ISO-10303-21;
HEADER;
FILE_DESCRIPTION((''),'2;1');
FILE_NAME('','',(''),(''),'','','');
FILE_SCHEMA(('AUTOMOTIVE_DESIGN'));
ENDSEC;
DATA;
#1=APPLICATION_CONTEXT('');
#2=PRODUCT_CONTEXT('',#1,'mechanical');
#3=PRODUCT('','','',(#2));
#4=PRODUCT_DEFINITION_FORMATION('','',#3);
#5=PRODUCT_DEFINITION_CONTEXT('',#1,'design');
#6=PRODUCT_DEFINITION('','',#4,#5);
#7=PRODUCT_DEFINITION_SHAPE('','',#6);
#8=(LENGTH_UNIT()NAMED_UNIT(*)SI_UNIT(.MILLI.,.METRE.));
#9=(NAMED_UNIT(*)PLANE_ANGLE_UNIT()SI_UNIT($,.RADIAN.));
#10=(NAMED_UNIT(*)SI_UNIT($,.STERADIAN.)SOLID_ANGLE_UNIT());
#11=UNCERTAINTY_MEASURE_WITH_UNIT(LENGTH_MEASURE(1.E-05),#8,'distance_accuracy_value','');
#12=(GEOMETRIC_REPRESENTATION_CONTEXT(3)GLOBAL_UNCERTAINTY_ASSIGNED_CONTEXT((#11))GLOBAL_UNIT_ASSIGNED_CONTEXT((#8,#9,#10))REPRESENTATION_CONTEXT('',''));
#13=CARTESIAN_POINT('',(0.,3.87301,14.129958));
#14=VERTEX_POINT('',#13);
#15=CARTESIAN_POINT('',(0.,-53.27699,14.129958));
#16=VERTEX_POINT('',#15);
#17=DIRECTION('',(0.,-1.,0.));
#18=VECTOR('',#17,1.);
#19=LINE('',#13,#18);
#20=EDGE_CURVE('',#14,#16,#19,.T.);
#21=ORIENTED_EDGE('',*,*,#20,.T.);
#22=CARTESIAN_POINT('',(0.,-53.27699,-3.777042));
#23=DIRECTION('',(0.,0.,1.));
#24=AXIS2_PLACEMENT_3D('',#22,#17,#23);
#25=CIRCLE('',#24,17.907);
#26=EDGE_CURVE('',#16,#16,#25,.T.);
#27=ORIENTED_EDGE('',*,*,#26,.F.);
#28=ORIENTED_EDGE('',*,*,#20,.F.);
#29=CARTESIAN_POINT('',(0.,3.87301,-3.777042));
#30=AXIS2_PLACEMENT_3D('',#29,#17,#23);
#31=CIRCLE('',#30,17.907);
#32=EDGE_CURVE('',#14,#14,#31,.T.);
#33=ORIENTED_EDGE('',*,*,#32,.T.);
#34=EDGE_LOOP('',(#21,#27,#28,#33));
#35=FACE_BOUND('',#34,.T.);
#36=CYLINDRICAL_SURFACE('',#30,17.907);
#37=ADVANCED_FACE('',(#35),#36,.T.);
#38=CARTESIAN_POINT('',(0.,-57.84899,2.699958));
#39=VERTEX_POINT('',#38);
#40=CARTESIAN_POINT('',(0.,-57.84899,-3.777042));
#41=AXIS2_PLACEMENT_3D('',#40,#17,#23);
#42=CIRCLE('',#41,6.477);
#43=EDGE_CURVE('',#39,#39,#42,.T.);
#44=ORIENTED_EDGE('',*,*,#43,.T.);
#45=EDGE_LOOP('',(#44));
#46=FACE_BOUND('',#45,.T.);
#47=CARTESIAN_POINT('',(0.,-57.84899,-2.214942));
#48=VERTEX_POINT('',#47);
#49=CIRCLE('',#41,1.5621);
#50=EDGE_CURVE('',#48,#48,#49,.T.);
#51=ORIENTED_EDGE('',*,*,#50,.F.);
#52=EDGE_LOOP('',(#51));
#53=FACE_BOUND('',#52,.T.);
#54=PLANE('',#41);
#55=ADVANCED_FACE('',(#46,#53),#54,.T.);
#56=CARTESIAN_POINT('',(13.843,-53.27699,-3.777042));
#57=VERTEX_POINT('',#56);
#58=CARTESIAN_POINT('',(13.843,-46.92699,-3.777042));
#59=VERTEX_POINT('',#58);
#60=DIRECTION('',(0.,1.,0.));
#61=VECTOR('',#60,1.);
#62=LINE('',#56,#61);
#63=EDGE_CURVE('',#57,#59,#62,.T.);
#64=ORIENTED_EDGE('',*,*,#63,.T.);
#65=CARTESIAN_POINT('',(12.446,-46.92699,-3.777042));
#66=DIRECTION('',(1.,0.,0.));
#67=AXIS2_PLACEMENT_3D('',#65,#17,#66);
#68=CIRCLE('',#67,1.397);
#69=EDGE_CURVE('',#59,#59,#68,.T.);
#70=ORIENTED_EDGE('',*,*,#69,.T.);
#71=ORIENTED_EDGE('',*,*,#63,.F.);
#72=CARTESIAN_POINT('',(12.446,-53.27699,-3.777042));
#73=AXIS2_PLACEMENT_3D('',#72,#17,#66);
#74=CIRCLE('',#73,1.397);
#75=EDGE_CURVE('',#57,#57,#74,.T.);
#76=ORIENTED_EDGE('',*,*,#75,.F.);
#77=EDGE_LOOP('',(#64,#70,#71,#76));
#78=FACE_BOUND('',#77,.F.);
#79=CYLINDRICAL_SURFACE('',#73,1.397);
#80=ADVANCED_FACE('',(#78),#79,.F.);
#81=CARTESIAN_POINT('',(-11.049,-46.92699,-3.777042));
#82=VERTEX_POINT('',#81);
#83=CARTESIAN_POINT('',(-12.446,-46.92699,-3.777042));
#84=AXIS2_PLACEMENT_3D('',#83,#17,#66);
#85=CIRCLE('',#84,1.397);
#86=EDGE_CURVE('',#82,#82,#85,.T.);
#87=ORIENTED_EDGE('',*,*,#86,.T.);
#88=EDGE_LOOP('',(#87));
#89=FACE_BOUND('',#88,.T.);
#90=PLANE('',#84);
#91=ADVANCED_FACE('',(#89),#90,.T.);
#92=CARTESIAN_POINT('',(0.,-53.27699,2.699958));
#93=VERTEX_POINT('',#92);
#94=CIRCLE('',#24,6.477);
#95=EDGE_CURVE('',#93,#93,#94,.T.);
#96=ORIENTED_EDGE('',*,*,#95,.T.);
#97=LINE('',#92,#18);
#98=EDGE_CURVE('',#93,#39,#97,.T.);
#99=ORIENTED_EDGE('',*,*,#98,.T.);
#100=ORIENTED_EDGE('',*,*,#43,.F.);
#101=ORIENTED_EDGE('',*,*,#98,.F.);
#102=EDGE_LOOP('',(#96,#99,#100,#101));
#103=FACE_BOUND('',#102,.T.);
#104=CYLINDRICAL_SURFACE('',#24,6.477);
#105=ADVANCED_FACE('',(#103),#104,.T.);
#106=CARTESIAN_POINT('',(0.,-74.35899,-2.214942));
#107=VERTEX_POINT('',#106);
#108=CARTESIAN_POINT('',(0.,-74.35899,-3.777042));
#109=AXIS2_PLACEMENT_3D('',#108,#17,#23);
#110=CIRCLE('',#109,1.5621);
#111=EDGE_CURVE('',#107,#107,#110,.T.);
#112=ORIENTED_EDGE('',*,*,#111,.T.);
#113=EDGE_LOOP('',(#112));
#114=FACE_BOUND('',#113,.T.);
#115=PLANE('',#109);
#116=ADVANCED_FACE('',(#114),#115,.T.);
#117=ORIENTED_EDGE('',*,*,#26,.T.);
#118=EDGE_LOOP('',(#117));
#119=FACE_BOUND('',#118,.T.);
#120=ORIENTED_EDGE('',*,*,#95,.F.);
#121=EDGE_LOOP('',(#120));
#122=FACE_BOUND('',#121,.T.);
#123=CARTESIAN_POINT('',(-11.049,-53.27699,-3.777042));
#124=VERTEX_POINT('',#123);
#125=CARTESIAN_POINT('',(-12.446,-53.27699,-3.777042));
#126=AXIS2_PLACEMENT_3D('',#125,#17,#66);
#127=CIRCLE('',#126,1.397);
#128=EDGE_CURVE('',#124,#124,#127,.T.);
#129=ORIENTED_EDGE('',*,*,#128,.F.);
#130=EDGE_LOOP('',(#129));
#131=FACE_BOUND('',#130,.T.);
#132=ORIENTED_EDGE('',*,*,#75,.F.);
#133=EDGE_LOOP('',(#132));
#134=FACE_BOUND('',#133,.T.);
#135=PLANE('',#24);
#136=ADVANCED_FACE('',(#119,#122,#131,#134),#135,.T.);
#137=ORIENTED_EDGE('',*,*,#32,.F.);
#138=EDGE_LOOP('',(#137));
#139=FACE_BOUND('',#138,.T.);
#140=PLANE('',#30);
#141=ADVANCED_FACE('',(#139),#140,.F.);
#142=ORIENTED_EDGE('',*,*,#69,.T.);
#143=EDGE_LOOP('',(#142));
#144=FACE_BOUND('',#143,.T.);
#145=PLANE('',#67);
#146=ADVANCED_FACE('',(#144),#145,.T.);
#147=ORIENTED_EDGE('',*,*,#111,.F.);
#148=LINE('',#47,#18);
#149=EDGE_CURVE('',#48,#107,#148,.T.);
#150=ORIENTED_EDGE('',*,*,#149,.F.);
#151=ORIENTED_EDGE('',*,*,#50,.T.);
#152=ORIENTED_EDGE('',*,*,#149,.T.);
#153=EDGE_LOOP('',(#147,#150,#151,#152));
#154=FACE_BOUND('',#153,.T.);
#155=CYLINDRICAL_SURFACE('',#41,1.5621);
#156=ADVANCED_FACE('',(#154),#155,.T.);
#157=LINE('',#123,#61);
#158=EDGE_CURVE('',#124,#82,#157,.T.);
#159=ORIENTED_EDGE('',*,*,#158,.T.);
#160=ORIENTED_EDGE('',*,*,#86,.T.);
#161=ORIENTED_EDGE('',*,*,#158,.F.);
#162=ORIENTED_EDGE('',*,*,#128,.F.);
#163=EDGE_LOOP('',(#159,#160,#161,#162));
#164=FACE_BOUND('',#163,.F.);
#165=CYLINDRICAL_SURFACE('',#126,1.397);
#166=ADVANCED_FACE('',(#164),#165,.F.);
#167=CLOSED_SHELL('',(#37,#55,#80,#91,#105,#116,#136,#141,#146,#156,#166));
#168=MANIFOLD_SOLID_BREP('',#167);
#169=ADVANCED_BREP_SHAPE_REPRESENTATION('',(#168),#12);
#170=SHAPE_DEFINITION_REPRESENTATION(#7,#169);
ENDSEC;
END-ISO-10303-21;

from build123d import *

# Parameters (mm, degrees)
F2_R     = 1.397
F3_DEPTH = 6.35


with BuildPart() as f1:
    # F0 (on Right) → F1 (revolve)
    with BuildSketch(Plane.YZ):
        Polygon((-74.35899, -3.777042), (3.87301, -3.777042), (3.87301, 14.129958), (-53.27699, 14.129958), (-53.27699, 2.699958), (-57.84899, 2.699958), (-57.84899, -2.214942), (-74.35899, -2.214942), align=None)
    revolve(axis=Axis((0, -35.24299, -3.777042), (0, -1, 0)))

    # F2 (on face) → F3 (cut)
    with BuildSketch(Plane.XZ.offset(53.27699)):
        with Locations((12.446, -3.777042)):
            Circle(F2_R)
        with Locations((-12.446, -3.777042)):
            Circle(F2_R)
    extrude(amount=-F3_DEPTH, mode=Mode.SUBTRACT)


solid = f1.part
